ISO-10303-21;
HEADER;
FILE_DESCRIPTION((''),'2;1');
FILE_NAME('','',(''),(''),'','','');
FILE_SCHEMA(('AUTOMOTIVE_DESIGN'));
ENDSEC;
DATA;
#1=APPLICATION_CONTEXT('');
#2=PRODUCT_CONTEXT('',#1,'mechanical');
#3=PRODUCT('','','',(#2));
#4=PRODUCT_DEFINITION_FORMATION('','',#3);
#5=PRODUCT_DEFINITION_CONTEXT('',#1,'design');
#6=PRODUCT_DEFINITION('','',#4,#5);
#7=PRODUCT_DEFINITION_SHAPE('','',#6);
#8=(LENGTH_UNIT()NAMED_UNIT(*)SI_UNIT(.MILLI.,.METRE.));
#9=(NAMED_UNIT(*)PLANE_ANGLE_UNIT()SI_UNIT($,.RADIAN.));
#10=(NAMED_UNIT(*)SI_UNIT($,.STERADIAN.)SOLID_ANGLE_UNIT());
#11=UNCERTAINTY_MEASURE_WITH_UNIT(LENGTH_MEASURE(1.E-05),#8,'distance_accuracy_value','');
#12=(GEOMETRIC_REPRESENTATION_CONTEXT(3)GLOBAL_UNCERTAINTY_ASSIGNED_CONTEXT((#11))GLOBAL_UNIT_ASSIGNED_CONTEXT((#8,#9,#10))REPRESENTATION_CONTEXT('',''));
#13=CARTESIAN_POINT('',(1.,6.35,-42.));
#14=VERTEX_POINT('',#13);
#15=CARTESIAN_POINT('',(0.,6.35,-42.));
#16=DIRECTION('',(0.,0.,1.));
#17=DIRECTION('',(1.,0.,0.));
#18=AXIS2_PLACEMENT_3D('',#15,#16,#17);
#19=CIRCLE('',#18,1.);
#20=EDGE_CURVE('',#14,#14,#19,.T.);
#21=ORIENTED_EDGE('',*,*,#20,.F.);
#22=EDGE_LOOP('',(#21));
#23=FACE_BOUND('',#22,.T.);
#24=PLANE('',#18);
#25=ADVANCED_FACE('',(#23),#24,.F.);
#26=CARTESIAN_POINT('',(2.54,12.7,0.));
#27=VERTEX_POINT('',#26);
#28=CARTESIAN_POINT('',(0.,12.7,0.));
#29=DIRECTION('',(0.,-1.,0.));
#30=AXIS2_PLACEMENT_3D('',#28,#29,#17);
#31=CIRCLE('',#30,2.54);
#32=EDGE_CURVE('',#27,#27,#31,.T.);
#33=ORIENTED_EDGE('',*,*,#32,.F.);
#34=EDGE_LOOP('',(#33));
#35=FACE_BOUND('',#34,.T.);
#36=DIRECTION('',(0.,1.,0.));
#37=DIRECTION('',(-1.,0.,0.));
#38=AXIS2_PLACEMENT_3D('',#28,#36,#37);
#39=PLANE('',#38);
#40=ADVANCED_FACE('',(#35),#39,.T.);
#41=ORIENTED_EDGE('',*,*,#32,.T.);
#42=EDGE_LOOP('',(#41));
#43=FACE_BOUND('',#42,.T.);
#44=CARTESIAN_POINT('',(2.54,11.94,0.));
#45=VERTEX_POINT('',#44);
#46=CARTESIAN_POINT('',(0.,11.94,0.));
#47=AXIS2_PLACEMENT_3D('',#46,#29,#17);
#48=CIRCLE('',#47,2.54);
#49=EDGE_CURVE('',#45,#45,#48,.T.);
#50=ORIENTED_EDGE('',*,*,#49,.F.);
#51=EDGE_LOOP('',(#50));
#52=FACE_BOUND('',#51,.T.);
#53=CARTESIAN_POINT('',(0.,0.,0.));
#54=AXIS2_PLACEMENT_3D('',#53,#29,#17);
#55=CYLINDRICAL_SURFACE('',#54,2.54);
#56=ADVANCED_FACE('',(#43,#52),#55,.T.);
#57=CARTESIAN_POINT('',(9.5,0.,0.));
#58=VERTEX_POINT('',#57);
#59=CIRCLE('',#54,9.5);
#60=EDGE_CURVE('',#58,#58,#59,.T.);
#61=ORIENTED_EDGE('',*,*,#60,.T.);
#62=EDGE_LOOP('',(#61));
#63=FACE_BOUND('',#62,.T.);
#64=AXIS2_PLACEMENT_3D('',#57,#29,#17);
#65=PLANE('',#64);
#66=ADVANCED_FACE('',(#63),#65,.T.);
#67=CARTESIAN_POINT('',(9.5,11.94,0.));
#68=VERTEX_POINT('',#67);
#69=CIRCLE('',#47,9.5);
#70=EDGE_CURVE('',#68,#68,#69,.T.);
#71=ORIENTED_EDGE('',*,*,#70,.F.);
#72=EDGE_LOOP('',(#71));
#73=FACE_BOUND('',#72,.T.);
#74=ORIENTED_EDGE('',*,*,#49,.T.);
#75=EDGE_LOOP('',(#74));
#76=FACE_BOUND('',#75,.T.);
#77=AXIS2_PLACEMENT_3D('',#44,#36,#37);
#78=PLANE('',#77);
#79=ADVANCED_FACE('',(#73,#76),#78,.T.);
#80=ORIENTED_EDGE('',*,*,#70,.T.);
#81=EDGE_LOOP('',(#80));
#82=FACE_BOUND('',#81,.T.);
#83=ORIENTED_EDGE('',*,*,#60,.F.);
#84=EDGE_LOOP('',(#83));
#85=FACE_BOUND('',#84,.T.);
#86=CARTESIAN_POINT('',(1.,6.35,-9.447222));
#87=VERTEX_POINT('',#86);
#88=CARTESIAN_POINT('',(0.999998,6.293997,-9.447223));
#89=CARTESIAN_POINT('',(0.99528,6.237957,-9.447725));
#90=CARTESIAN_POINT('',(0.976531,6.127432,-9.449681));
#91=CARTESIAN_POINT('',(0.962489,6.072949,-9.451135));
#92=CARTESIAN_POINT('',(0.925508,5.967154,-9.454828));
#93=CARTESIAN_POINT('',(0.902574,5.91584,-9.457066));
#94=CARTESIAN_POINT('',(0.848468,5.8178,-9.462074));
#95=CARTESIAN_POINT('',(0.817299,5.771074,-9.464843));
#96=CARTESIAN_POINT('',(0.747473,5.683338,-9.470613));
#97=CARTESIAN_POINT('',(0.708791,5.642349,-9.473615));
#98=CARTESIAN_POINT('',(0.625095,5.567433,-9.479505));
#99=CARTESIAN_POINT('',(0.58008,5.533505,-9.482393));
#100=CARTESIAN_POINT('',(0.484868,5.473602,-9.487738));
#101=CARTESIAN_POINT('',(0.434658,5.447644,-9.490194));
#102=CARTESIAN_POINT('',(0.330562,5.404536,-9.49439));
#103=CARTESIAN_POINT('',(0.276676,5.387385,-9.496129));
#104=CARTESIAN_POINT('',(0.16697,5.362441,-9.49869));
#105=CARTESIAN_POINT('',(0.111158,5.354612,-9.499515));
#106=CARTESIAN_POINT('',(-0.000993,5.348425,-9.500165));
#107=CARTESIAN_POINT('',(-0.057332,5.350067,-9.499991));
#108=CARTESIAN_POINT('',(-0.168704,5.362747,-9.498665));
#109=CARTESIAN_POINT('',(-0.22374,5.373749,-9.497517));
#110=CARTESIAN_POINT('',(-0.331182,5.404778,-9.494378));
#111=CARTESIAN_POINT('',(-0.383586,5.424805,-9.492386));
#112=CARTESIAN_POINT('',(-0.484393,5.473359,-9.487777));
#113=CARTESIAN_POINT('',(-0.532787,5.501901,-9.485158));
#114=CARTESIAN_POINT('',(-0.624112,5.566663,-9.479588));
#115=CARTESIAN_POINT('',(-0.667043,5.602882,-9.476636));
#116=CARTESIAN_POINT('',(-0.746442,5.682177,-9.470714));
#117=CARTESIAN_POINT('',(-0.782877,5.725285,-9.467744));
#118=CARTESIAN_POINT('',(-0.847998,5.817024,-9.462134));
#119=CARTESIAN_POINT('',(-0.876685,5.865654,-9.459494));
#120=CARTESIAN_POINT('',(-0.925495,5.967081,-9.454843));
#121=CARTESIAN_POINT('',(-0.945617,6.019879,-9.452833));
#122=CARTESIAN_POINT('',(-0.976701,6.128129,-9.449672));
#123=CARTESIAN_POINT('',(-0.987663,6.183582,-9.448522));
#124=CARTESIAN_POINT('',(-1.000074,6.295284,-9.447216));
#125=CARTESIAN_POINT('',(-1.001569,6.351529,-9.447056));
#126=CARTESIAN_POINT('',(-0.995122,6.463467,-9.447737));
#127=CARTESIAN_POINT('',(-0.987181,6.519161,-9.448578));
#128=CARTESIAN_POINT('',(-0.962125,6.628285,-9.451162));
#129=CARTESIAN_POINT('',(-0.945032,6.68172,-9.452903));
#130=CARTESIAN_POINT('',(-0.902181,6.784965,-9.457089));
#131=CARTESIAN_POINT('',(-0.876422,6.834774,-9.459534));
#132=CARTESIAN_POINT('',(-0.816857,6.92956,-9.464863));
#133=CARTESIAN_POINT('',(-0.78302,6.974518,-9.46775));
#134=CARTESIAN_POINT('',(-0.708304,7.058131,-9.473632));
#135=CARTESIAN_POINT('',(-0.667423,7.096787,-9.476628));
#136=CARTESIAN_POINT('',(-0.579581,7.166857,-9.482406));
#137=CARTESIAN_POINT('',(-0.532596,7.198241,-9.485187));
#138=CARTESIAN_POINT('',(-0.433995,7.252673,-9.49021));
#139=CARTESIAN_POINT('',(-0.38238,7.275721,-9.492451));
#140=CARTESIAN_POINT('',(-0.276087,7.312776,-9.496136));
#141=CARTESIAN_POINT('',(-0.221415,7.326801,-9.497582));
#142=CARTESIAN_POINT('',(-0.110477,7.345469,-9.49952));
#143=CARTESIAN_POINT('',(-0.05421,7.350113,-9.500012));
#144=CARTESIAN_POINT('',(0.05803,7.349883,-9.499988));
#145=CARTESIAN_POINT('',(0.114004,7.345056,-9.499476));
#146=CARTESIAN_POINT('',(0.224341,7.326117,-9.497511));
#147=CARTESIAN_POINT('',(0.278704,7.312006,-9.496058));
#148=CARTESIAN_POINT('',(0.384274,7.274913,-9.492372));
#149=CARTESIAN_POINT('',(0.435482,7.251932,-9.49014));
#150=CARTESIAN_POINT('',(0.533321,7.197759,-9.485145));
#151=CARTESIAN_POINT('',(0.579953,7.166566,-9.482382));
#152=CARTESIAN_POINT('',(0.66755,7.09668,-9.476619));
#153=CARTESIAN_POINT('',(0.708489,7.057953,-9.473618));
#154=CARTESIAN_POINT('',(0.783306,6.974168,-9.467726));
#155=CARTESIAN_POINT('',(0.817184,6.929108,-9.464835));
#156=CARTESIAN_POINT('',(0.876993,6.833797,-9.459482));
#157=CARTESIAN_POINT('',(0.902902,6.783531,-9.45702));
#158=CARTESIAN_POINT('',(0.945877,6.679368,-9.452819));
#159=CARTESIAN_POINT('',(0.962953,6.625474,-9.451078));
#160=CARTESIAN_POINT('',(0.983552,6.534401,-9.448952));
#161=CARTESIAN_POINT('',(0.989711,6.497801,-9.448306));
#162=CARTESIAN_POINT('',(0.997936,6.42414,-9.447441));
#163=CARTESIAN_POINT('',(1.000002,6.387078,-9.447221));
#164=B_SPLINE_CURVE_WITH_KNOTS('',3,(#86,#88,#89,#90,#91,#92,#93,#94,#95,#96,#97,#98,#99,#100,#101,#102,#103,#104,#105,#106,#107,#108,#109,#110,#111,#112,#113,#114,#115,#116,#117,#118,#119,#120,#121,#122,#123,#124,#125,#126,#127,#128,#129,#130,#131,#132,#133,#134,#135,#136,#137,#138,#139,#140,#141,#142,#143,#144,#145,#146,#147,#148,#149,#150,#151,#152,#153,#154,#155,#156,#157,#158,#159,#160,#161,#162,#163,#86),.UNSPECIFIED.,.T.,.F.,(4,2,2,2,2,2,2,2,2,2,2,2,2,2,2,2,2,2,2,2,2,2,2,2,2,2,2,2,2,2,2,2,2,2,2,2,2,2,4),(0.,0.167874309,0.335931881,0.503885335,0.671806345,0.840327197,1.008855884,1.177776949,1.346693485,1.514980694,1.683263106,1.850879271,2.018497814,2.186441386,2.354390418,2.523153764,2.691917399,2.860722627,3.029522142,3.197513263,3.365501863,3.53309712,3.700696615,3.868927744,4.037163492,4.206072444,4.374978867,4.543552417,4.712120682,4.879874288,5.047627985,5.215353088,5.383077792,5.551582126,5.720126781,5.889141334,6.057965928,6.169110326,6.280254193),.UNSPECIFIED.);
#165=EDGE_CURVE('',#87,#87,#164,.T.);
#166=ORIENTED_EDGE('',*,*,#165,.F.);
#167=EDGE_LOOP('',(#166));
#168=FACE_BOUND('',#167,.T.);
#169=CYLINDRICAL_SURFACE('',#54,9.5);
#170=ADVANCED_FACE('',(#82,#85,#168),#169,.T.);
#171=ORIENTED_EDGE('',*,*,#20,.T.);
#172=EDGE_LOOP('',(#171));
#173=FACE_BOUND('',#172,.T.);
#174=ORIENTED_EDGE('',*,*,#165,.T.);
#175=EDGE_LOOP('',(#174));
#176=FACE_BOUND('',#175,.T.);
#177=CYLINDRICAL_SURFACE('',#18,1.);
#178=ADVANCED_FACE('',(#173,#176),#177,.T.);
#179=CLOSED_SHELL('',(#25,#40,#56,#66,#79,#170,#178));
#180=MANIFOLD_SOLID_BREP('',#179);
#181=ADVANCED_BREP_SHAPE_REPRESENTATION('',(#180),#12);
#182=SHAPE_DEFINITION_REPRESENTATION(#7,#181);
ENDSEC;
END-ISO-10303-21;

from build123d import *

# Parameters (mm, degrees)
SKETCH3_R           = 1
BOSS_EXTRUDE1_DEPTH = 42


with BuildPart() as part:
    # Sketch2 → Revolve1 (revolve)
    with BuildSketch(Plane.XY):
        Polygon((0, 0), (0, 12.7), (2.54, 12.7), (2.54, 11.94), (9.5, 11.94), (9.5, 0), align=None)
    revolve(axis=Axis((0, 0, 0), (0, 1, 0)))

    # Sketch3 → Boss-Extrude1 (add)
    with BuildSketch(Plane.XY):
        with Locations((0, 6.35)):
            Circle(SKETCH3_R)
    extrude(amount=-BOSS_EXTRUDE1_DEPTH)


solid = part.part
